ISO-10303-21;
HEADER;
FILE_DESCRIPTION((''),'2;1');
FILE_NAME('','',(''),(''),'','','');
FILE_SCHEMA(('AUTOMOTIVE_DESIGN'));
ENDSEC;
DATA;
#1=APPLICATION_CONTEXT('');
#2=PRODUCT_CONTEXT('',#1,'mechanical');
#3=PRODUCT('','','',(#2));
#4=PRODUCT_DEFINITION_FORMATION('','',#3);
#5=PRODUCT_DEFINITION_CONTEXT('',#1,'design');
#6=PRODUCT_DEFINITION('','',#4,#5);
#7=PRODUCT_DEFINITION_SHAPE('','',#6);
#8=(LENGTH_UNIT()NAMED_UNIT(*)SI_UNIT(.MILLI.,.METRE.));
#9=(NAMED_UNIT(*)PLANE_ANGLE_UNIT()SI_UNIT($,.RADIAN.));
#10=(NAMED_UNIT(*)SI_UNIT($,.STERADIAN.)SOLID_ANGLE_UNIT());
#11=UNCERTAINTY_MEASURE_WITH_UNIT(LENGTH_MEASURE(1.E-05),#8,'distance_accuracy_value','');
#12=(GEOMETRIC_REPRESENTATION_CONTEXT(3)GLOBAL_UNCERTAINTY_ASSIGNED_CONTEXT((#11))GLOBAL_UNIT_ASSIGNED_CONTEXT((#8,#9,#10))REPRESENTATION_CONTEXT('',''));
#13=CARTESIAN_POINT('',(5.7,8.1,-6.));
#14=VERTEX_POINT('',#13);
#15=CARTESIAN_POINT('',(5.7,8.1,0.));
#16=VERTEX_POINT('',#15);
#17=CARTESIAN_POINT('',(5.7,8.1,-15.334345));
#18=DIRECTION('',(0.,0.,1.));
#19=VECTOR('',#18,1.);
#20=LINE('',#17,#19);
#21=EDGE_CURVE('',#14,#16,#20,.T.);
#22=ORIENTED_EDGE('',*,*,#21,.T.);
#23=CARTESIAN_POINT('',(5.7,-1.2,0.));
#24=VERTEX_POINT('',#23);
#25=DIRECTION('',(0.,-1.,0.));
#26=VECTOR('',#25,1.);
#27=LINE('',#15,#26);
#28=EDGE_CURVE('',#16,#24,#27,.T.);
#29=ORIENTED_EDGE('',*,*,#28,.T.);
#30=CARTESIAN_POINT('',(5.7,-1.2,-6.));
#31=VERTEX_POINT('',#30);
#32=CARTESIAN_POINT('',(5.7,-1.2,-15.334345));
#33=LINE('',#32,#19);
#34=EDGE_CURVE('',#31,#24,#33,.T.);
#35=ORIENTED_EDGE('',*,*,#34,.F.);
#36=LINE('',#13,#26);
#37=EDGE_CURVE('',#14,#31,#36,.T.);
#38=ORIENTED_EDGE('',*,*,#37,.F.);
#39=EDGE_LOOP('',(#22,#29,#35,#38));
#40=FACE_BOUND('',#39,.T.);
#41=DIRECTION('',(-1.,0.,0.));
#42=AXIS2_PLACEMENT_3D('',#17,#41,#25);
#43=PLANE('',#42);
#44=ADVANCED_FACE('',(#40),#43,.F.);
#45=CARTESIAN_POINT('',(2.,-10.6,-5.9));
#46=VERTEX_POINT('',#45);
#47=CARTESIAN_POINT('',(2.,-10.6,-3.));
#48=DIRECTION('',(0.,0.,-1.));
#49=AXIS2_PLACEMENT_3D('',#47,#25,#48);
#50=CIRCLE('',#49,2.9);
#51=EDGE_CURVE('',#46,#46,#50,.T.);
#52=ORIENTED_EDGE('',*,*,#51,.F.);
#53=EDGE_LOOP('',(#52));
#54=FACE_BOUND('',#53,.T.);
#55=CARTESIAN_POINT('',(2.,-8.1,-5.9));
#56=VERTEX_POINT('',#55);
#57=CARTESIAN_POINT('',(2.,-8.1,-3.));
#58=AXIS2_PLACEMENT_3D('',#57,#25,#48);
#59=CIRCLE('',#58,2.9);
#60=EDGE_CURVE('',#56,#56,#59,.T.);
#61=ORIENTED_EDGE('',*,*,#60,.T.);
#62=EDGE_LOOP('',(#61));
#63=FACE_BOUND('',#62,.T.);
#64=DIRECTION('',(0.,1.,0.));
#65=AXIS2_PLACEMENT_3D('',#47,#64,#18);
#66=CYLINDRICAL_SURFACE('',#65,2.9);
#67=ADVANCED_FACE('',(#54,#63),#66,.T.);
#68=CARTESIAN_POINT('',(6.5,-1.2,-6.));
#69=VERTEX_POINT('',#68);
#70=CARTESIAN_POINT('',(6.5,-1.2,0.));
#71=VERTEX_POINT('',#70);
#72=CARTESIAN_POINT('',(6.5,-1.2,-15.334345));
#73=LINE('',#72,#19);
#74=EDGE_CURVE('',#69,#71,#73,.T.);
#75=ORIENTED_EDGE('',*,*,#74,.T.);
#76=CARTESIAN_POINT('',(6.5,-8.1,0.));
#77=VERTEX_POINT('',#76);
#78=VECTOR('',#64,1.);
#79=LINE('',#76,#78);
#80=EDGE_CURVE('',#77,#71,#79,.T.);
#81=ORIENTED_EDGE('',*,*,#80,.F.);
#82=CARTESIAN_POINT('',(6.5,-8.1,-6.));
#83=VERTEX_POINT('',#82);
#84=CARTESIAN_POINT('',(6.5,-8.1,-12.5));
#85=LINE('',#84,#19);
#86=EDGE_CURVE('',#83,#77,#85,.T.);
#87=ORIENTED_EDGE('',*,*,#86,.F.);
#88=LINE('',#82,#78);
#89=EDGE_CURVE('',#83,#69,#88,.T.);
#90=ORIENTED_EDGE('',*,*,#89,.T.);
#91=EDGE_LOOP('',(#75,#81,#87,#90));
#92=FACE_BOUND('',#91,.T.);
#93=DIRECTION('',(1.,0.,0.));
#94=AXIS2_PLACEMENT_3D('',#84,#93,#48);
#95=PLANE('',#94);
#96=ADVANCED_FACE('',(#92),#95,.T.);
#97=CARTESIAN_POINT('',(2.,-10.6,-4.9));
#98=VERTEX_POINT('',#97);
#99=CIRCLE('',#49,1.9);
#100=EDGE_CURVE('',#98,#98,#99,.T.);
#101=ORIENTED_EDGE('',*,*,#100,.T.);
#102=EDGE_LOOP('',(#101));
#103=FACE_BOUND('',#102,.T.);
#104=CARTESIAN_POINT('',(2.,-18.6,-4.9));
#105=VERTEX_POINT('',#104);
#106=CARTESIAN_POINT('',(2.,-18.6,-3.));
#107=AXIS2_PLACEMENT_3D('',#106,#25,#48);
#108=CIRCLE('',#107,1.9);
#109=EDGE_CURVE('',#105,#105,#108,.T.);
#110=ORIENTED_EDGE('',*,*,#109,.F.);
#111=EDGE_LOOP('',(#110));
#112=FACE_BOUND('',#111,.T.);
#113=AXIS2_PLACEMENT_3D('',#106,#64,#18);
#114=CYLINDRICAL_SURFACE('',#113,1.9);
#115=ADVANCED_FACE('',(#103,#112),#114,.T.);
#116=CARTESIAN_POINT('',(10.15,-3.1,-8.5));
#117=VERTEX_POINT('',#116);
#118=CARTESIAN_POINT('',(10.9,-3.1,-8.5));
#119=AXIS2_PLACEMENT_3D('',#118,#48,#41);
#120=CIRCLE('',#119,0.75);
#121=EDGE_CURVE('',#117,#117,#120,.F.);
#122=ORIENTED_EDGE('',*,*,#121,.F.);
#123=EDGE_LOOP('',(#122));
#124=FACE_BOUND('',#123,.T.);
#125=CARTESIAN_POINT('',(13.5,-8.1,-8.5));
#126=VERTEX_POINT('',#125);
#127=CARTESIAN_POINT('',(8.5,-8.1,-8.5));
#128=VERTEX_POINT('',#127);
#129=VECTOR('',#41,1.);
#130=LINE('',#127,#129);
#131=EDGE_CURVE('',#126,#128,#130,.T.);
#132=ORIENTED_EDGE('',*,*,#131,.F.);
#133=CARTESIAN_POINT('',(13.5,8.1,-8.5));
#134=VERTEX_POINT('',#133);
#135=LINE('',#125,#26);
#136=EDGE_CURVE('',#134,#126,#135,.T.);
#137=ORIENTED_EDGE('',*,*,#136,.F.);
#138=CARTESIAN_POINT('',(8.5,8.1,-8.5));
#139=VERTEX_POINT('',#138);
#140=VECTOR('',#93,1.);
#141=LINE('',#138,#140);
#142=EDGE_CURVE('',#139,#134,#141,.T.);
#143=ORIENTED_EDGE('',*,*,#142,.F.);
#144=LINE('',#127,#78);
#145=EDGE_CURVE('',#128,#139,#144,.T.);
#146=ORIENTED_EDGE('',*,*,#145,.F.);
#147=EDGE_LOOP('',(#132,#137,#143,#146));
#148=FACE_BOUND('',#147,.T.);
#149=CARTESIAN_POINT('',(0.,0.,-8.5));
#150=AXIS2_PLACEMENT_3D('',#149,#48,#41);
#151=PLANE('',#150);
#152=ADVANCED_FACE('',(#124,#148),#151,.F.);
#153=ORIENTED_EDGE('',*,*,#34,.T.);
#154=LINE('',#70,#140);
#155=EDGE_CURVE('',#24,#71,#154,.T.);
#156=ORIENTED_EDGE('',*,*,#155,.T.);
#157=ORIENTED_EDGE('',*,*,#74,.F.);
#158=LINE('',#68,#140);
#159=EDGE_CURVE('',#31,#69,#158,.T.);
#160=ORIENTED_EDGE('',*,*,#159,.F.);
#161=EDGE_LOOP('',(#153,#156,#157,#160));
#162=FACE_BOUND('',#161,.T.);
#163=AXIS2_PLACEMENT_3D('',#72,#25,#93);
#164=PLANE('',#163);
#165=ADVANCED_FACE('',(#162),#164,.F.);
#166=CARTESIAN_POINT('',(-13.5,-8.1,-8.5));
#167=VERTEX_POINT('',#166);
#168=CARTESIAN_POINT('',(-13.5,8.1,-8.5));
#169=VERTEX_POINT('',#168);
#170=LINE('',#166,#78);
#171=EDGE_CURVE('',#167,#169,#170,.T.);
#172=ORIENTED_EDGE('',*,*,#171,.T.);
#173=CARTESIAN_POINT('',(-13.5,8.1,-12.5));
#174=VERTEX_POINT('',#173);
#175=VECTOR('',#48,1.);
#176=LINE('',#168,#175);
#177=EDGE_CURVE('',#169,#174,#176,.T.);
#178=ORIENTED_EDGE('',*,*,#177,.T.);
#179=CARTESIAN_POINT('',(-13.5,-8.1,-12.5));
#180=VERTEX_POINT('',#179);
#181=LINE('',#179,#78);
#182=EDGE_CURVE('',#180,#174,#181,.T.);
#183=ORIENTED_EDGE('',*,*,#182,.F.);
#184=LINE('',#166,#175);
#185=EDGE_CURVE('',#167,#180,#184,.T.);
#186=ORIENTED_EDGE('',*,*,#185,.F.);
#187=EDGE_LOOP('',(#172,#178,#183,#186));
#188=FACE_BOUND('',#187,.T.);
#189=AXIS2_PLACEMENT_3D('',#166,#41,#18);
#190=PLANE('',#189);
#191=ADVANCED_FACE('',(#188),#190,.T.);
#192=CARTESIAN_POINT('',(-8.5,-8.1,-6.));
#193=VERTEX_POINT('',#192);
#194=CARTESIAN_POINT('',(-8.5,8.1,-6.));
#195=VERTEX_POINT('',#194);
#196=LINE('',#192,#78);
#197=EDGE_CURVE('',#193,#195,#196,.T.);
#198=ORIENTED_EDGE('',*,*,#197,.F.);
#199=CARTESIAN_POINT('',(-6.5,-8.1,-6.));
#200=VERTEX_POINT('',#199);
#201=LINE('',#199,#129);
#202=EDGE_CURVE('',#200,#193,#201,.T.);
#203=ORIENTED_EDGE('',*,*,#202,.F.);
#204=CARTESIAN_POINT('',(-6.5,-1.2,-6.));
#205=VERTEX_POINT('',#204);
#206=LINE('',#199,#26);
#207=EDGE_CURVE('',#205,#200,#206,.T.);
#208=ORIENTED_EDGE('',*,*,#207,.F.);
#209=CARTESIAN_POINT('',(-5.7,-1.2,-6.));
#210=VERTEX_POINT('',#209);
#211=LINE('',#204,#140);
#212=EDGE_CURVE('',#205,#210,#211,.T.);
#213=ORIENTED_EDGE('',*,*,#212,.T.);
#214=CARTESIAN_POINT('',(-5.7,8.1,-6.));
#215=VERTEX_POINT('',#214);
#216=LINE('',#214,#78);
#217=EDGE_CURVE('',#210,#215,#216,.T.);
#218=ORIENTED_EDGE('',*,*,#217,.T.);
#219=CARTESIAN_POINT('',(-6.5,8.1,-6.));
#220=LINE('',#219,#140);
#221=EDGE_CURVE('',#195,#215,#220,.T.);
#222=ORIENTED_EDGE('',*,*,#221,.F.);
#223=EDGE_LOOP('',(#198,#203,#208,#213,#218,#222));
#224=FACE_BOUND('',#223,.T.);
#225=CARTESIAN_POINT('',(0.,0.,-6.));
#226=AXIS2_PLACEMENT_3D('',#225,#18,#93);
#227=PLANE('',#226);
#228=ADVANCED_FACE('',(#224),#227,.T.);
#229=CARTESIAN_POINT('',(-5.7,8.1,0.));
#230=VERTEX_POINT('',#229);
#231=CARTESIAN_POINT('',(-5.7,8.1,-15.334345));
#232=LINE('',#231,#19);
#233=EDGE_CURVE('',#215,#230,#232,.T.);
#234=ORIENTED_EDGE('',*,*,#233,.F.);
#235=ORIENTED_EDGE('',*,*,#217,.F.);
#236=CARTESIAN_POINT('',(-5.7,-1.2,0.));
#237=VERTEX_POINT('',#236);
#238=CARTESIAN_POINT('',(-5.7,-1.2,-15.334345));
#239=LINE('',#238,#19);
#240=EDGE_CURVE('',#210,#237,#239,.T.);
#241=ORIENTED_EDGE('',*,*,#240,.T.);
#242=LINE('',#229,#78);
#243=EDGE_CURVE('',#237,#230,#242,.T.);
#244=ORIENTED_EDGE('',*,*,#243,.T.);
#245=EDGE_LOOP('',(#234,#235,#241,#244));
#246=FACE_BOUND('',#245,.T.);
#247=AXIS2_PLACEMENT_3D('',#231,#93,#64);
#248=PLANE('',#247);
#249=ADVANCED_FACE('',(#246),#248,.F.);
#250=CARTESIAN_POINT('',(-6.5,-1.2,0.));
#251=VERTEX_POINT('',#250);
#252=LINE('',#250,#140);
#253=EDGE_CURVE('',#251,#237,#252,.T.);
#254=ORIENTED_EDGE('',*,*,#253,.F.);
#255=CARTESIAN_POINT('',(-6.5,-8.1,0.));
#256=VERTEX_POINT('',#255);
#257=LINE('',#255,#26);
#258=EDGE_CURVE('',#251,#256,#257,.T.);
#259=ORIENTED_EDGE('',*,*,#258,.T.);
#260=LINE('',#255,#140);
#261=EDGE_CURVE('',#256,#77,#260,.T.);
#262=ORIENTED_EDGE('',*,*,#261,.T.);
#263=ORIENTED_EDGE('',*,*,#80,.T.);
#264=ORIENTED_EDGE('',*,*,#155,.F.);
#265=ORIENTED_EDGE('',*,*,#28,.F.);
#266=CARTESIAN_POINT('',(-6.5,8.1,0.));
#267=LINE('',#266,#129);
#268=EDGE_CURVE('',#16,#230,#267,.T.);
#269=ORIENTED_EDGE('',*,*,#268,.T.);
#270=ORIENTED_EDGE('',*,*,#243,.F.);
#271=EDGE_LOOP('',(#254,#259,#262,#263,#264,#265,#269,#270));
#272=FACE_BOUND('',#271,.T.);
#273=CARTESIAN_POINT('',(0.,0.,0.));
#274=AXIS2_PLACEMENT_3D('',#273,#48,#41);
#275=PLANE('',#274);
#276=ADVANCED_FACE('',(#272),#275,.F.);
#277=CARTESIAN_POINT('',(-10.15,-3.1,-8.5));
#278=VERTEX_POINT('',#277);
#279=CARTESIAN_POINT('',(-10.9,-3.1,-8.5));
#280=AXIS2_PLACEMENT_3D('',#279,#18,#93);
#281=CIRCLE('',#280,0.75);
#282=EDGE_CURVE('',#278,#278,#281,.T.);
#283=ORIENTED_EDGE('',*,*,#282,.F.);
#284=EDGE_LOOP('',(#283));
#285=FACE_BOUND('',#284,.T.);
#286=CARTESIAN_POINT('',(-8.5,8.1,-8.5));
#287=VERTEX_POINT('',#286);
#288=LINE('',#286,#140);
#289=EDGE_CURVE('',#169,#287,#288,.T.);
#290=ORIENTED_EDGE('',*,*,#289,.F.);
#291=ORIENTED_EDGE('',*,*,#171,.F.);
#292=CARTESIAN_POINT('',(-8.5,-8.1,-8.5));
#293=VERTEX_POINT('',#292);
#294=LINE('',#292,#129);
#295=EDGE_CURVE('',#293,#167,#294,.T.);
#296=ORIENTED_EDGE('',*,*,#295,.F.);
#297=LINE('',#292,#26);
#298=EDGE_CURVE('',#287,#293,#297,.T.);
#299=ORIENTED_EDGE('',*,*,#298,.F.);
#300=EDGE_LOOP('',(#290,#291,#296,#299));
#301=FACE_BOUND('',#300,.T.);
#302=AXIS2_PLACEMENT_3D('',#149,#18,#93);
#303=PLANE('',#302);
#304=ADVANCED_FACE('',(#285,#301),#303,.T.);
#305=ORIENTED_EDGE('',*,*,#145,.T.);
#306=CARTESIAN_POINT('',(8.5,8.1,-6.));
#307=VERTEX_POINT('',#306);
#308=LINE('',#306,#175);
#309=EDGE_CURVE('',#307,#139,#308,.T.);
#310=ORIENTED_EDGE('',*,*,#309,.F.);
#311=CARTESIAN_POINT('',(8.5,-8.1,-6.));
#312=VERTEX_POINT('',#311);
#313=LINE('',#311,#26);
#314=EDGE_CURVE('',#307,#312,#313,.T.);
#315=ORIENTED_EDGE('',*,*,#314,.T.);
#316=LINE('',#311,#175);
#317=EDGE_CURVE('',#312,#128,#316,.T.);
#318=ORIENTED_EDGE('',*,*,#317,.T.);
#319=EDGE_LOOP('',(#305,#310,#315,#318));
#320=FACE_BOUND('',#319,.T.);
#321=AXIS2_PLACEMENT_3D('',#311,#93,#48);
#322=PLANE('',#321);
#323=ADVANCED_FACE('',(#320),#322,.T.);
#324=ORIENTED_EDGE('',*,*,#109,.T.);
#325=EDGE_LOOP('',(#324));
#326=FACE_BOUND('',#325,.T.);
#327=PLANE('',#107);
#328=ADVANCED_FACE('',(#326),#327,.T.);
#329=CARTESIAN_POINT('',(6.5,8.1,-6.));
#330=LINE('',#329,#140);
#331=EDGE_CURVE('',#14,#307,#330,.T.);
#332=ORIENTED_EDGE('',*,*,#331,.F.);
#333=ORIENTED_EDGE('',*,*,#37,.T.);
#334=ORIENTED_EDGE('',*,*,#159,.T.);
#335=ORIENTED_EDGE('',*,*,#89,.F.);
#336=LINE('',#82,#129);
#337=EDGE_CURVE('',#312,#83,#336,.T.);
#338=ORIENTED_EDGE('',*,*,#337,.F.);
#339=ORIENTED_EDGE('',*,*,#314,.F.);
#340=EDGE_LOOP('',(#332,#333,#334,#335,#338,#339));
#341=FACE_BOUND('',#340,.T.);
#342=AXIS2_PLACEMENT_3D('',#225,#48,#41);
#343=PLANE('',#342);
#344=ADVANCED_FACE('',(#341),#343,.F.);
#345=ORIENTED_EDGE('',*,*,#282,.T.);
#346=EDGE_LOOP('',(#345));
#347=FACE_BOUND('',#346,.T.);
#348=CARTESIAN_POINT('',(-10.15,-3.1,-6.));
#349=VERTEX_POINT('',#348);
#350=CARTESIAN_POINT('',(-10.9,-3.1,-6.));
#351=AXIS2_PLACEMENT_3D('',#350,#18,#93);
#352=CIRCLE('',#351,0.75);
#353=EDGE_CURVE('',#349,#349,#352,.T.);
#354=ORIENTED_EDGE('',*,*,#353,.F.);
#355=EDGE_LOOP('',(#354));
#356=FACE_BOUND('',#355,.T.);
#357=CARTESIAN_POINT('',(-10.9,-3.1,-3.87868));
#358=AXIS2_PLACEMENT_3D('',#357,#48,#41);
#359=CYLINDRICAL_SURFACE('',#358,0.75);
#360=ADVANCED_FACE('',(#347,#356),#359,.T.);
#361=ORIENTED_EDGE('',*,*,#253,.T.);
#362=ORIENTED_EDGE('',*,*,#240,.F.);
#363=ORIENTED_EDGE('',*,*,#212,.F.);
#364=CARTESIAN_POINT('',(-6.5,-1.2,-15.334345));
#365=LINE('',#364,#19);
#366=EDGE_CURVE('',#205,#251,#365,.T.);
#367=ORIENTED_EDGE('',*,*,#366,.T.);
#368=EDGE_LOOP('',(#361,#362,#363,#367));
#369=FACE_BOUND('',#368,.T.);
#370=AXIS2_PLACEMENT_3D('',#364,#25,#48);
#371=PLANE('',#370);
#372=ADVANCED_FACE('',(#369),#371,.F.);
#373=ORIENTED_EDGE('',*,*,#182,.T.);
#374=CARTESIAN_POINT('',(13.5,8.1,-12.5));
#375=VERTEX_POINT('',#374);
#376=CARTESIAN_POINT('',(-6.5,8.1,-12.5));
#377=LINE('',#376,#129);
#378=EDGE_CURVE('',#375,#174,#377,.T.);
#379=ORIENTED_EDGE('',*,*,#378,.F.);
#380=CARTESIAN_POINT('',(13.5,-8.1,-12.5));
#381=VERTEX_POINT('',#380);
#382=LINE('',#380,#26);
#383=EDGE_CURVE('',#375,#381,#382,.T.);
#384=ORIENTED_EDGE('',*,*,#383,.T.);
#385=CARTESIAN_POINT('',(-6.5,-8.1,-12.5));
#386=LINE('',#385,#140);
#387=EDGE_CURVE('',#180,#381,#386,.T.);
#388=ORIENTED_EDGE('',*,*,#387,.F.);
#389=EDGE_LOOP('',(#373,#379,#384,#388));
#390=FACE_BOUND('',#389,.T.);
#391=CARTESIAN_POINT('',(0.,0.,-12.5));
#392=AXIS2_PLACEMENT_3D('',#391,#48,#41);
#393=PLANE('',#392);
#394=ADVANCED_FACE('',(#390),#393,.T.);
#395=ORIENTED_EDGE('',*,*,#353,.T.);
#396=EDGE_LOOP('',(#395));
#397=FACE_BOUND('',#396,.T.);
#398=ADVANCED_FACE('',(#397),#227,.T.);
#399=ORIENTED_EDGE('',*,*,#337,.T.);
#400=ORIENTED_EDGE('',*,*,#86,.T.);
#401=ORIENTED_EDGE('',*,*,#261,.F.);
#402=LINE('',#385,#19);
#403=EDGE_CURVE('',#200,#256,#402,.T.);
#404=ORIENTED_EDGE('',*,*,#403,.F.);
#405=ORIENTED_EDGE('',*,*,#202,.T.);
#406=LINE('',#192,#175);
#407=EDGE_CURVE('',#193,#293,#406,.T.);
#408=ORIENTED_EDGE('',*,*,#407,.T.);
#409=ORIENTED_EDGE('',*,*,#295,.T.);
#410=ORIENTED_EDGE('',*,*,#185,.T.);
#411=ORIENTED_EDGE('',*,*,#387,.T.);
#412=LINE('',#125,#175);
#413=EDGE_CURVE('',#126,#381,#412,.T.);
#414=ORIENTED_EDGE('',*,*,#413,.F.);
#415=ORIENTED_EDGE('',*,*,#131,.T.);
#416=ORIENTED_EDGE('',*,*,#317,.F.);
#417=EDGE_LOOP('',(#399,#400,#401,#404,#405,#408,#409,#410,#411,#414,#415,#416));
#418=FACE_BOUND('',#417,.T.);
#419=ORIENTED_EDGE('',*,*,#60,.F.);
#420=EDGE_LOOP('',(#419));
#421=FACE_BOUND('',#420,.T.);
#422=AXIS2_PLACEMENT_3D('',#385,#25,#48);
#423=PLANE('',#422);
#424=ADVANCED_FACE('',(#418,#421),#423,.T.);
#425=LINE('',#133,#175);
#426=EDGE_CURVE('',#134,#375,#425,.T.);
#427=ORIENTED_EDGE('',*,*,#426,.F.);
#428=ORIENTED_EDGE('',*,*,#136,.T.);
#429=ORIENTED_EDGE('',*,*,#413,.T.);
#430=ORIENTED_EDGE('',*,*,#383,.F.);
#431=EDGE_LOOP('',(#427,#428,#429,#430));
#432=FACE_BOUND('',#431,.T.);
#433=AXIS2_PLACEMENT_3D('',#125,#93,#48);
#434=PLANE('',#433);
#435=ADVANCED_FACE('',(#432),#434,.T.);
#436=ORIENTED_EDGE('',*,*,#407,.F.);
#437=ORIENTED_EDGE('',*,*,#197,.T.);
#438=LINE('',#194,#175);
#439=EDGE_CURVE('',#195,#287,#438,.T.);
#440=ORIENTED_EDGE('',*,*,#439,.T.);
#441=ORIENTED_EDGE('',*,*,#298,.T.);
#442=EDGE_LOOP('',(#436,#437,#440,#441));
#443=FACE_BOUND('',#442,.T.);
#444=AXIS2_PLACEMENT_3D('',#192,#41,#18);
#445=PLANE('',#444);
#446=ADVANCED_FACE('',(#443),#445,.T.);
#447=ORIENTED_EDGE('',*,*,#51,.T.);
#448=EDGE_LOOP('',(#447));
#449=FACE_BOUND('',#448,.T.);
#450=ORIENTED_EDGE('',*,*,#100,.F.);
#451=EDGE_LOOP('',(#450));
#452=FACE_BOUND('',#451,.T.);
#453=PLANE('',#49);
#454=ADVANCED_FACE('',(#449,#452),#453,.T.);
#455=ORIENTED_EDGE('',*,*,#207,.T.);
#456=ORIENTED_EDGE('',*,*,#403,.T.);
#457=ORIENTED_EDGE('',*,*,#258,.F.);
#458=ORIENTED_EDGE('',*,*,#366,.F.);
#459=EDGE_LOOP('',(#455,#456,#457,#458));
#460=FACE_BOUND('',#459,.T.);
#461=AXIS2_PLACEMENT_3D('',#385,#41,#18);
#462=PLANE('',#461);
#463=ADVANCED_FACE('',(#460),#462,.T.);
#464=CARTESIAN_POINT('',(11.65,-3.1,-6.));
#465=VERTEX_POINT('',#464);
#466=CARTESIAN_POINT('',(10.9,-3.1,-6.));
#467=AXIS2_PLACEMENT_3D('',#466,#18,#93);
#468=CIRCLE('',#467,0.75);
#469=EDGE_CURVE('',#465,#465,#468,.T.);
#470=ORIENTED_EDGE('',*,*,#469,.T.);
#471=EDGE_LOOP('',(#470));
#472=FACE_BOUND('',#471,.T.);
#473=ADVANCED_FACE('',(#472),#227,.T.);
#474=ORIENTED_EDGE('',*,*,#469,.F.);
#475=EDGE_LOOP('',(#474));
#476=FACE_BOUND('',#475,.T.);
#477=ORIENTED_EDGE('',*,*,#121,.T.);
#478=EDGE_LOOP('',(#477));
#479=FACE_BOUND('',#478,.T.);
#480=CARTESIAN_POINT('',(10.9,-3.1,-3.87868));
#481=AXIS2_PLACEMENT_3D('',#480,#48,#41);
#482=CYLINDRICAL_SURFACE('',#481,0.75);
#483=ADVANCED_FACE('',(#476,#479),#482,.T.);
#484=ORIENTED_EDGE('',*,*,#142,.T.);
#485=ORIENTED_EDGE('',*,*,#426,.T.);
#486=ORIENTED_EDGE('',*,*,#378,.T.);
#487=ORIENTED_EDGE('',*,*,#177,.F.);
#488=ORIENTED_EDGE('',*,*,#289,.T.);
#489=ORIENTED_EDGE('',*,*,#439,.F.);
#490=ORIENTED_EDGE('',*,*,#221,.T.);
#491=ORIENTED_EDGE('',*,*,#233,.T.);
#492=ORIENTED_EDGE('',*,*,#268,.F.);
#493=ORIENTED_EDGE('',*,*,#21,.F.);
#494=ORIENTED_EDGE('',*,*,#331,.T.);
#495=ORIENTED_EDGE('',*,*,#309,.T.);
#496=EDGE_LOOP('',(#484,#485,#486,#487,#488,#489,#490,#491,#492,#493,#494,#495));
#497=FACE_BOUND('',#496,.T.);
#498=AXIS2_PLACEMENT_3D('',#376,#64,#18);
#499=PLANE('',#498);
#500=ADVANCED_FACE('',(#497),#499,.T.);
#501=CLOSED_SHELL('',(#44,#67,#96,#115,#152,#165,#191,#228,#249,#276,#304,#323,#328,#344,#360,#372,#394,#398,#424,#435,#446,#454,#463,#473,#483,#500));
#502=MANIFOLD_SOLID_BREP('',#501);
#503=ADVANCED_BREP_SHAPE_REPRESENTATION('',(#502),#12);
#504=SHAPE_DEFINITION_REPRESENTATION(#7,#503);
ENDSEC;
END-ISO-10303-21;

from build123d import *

# Parameters (mm, degrees)
SKETCH1_W           = 13
SKETCH1_H           = 16.2
BOSS_EXTRUDE1_DEPTH = 12.5
SKETCH2_W           = 2
SKETCH2_H           = 16.2
BOSS_EXTRUDE5_DEPTH = 6.5
SKETCH7_R           = 2.9
BOSS_EXTRUDE6_DEPTH = 2.5
SKETCH8_R           = 1.9
BOSS_EXTRUDE7_DEPTH = 8
SKETCH9_W           = 5
SKETCH9_H           = 16.2
BOSS_EXTRUDE8_DEPTH = 4
SKETCH10_W          = 0.8
SKETCH10_H          = 9.3
CUT_EXTRUDE3_DEPTH  = 6
SKETCH11_R          = 0.75
BOSS_EXTRUDE9_DEPTH = 2.5


with BuildPart() as part:
    # Sketch1 → Boss-Extrude1 (new body)
    with BuildSketch(Plane.XY):
        Rectangle(SKETCH1_W, SKETCH1_H)
    extrude(amount=-BOSS_EXTRUDE1_DEPTH)

    # Sketch2 → Boss-Extrude5 (add)
    with BuildSketch(Plane(origin=(0, 0, -12.5), x_dir=(-1, 0, 0), z_dir=(0, 0, -1))):
        with Locations((-7.5, 0)):
            Rectangle(SKETCH2_W, SKETCH2_H)
        with Locations((7.5, 0)):
            Rectangle(SKETCH2_W, SKETCH2_H)
    extrude(amount=-BOSS_EXTRUDE5_DEPTH)

    # Sketch7 → Boss-Extrude6 (add)
    with BuildSketch(Plane.XZ.offset(8.1)):
        with Locations(Location((2, -3, 0), (0, 0, 270))):
            Circle(SKETCH7_R)
    extrude(amount=BOSS_EXTRUDE6_DEPTH)

    # Sketch8 → Boss-Extrude7 (add)
    with BuildSketch(Plane.XZ.offset(10.6)):
        with Locations(Location((2, -3, 0), (0, 0, 270))):
            Circle(SKETCH8_R)
    extrude(amount=BOSS_EXTRUDE7_DEPTH)

    # Sketch9 → Boss-Extrude8 (add)
    with BuildSketch(Plane(origin=(0, 0, -12.5), x_dir=(-1, 0, 0), z_dir=(0, 0, -1))):
        with Locations((-11, 0)):
            Rectangle(SKETCH9_W, SKETCH9_H)
        with Locations((11, 0)):
            Rectangle(SKETCH9_W, SKETCH9_H)
    extrude(amount=-BOSS_EXTRUDE8_DEPTH)

    # Sketch10 → Cut-Extrude3 (cut)
    with BuildSketch(Plane.XY):
        with Locations((6.1, 3.45)):
            Rectangle(SKETCH10_W, SKETCH10_H)
        with Locations((-6.1, 3.45)):
            Rectangle(SKETCH10_W, SKETCH10_H)
    extrude(amount=-CUT_EXTRUDE3_DEPTH, mode=Mode.SUBTRACT)

    # Sketch11 → Boss-Extrude9 (add)
    with BuildSketch(Plane.XY.offset(-8.5)):
        with Locations((-10.9, -3.1)):
            Circle(SKETCH11_R)
        with Locations(Location((10.9, -3.1, 0), (0, 0, 180))):
            Circle(SKETCH11_R)
    extrude(amount=BOSS_EXTRUDE9_DEPTH)


solid = part.part
